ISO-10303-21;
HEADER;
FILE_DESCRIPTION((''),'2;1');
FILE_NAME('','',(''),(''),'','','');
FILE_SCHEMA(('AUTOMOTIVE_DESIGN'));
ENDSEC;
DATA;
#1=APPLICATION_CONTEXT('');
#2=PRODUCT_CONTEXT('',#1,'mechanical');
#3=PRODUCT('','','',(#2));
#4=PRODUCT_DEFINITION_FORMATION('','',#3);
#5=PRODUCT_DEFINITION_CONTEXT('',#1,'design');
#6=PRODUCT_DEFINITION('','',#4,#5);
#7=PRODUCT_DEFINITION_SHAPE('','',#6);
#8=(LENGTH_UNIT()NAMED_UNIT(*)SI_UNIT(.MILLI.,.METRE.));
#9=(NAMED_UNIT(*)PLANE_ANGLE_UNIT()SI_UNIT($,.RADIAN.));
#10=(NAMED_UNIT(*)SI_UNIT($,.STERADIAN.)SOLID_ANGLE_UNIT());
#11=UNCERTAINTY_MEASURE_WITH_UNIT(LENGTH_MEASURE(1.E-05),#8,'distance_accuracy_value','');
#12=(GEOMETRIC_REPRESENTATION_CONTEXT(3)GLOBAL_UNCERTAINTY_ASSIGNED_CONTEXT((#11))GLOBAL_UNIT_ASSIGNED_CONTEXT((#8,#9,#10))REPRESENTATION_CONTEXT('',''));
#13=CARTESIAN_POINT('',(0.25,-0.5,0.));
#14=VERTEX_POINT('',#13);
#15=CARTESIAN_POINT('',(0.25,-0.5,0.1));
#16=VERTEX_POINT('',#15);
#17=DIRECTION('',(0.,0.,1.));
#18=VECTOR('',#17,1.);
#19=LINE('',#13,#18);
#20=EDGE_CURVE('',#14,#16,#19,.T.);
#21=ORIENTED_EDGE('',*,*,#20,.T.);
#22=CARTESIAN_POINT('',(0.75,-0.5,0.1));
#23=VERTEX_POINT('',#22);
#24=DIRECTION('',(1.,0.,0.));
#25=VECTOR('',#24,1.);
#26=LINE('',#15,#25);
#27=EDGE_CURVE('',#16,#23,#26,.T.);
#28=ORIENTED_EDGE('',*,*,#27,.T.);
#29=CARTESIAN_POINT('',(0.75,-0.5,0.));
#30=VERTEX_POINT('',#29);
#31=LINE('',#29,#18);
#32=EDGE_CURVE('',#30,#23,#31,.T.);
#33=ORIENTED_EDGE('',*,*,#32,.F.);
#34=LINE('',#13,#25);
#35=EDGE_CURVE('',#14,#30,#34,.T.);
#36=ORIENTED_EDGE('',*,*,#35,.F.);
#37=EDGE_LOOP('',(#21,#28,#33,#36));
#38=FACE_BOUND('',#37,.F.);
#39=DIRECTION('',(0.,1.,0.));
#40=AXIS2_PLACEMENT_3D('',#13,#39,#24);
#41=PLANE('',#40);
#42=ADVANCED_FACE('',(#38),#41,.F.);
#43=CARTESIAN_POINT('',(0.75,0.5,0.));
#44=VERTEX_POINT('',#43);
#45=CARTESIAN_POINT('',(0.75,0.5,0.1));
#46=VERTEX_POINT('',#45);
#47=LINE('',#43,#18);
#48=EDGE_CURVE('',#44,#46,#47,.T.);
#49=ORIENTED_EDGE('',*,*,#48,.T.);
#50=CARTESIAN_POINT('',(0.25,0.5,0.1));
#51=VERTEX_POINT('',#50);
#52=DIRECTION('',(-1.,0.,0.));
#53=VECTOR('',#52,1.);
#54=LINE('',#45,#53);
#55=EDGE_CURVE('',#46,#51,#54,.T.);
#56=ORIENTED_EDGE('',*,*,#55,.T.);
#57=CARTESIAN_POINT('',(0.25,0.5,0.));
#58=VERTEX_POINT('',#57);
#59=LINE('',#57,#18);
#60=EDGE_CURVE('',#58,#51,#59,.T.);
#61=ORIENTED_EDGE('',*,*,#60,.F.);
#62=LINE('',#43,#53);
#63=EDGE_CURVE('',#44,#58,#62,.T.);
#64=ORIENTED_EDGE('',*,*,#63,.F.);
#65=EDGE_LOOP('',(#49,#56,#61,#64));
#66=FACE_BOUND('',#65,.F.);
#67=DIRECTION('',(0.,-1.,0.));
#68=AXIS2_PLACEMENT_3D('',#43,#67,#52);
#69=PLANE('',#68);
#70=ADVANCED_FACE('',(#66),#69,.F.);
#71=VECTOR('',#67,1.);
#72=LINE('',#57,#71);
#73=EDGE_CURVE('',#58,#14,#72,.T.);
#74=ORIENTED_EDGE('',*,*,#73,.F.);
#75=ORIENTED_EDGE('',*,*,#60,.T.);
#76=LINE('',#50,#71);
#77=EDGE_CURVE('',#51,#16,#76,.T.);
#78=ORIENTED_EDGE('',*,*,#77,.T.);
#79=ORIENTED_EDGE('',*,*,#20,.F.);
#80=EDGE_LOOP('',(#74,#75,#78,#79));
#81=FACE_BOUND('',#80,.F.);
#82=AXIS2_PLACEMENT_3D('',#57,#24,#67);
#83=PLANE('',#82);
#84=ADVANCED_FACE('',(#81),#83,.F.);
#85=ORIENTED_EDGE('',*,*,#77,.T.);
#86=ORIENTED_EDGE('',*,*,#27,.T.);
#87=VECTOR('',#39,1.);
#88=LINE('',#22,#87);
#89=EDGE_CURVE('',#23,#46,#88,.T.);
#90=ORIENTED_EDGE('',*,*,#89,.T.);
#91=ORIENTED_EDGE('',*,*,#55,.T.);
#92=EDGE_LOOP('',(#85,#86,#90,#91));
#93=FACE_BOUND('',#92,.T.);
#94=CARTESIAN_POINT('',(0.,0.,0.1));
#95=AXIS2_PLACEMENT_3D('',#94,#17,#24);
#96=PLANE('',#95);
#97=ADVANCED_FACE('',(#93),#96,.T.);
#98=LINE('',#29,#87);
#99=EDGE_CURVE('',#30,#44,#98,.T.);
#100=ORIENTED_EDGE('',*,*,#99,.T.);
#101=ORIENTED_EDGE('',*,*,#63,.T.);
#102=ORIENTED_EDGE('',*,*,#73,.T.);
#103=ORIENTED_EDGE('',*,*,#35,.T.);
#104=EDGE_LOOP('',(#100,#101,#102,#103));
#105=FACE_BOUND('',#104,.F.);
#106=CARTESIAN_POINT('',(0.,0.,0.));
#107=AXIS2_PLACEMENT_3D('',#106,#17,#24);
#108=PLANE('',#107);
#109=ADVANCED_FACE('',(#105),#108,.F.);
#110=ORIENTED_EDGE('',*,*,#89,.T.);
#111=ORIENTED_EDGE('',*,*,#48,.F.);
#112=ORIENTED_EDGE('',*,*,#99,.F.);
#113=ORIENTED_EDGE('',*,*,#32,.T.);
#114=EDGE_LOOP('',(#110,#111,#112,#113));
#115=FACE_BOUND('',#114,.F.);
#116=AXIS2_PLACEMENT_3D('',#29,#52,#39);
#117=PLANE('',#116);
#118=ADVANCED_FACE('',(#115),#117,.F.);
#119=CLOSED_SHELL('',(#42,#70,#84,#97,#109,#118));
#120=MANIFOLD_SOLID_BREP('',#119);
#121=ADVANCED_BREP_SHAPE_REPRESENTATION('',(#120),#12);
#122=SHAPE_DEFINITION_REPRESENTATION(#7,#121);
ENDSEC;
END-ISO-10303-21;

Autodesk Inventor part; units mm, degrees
ref_plane "YZ Plane" through (0, 0, 0) normal (1, 0, 0) x (0, 1, 0)
ref_plane "XZ Plane" through (0, 0, 0) normal (0, 1, 0) x (-1, 0, 0)
ref_plane "XY Plane" through (0, 0, 0) normal (0, 0, 1) x (1, 0, 0)
sketch "스케치1" plane through (0, 0, 0) normal (0, 0, 1) x (1, 0, 0)
  line L0 (-0.15, 0) -> (0.9, 0) construction
  line L1 (0, -0.7) -> (0, 0.7) construction
  line L2 (0.25, -0.5) -> (0.75, -0.5)
  line L3 (0.75, -0.5) -> (0.75, 0.5)
  line L4 (0.75, 0.5) -> (0.25, 0.5)
  line L5 (0.25, 0.5) -> (0.25, -0.5)
  point P0 (0, 0)
  point P1 (0.5, -0.5)
  dimension "d7" = 0.5
  dimension "d8" = 1
  dimension "d9" = 0.25
extrude "돌출1" add sketch "스케치1" along normal blind 0.1
properties part number "flat_surface_1"
